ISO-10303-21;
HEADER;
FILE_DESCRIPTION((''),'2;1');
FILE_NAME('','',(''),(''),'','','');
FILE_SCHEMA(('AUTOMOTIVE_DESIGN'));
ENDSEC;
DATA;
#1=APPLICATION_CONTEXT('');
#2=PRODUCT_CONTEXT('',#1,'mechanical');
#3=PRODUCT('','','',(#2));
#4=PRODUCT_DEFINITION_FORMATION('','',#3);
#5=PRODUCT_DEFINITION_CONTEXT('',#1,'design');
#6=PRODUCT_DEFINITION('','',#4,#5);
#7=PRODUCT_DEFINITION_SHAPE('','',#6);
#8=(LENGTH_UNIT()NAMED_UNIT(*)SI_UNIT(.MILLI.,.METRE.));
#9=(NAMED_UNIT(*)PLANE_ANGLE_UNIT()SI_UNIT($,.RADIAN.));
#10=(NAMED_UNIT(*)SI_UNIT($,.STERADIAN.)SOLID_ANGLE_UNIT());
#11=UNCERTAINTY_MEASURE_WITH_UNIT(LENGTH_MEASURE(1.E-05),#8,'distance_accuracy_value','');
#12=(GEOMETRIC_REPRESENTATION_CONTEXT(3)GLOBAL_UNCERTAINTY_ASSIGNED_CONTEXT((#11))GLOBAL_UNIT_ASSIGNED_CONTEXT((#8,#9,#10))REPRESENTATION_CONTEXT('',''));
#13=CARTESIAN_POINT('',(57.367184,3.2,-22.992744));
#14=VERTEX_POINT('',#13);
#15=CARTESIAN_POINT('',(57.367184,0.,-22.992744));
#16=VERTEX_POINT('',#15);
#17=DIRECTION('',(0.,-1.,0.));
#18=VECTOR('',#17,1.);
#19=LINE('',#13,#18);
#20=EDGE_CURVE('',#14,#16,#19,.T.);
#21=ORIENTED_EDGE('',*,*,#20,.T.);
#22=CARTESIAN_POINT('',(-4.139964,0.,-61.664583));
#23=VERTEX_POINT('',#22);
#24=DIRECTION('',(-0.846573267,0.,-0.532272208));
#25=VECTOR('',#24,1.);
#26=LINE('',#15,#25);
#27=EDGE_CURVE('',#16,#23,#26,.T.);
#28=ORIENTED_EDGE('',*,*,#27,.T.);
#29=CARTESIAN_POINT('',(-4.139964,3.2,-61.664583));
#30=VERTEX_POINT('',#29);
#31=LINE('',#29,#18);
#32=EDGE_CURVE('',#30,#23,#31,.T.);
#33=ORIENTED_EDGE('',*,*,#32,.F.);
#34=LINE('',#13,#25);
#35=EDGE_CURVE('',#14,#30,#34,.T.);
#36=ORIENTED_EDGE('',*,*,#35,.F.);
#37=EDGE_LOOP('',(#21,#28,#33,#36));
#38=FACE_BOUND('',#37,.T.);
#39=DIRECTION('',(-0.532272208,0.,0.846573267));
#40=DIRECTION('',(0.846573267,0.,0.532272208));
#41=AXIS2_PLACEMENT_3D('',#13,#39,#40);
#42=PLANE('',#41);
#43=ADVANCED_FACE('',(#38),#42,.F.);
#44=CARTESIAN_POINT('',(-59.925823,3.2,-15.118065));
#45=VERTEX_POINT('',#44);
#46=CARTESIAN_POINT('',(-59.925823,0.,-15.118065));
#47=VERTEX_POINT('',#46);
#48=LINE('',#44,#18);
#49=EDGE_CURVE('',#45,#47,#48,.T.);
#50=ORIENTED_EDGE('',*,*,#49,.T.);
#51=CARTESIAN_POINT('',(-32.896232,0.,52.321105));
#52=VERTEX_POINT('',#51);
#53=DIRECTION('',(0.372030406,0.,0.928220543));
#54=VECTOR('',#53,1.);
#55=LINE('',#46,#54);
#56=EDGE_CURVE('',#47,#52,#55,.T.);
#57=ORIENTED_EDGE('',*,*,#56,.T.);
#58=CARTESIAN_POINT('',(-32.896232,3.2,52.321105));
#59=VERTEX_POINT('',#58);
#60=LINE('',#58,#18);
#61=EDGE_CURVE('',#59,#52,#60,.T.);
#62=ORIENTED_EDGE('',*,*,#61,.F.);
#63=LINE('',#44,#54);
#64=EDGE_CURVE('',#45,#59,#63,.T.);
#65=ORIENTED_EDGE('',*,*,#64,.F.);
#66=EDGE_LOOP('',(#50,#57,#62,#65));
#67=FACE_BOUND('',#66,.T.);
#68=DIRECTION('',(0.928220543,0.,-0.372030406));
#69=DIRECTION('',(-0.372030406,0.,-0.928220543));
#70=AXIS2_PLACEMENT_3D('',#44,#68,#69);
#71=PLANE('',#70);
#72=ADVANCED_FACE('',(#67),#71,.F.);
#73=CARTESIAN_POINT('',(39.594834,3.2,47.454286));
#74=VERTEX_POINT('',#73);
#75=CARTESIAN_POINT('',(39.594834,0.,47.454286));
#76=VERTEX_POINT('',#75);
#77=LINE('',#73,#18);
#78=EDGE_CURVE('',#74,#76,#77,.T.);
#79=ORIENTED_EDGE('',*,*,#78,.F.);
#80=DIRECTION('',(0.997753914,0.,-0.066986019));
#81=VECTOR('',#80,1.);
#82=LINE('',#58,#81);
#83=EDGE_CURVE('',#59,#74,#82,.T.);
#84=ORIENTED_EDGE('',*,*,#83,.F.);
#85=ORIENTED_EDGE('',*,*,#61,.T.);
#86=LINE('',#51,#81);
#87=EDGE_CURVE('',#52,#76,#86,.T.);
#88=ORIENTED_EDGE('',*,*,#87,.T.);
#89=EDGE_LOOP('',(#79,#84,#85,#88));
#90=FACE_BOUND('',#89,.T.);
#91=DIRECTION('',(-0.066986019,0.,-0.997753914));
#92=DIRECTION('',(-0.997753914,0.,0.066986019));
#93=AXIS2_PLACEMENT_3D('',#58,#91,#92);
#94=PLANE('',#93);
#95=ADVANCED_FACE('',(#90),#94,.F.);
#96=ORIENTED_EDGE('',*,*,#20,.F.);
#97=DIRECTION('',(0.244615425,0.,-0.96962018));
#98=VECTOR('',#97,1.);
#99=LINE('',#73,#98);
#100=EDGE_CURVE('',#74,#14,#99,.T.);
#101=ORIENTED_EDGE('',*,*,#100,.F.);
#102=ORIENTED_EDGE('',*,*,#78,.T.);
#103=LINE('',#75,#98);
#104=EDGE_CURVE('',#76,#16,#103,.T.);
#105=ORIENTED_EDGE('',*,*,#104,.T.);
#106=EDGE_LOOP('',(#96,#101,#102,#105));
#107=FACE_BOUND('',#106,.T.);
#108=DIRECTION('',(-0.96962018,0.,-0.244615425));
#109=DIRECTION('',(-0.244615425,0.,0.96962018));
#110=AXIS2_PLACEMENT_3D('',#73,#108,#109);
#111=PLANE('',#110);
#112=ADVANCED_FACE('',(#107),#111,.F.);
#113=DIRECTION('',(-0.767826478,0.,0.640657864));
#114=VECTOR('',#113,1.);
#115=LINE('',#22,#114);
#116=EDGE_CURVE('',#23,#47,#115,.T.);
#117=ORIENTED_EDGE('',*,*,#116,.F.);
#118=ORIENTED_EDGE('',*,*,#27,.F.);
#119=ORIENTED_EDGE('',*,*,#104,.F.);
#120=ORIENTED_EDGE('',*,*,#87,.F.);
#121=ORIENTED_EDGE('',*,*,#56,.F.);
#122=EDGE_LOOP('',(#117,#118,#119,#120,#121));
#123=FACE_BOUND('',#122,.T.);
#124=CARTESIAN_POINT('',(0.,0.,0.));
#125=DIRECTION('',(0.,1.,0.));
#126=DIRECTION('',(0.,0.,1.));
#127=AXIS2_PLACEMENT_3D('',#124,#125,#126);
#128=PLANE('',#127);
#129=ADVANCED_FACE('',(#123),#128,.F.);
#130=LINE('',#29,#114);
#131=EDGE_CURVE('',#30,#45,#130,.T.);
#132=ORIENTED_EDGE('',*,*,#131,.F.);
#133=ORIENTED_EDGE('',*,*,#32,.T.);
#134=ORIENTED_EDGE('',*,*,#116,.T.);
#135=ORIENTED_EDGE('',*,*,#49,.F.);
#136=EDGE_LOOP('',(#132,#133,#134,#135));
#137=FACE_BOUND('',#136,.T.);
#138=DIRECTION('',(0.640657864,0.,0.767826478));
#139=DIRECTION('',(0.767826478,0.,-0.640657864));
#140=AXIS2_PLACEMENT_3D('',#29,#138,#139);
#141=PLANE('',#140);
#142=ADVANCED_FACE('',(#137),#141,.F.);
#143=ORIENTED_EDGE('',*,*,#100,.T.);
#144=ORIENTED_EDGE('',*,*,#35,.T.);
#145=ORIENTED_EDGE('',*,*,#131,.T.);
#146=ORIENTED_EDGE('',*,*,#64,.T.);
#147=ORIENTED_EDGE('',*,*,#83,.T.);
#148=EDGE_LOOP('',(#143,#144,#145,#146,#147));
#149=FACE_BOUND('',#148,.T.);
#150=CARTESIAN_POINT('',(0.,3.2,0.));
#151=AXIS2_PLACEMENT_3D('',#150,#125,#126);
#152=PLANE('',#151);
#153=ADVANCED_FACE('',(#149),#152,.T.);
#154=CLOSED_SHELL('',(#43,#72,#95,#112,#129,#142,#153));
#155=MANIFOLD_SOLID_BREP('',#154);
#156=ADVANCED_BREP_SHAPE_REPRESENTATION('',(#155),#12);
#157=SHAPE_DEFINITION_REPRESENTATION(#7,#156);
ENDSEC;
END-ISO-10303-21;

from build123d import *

# Parameters (mm, degrees)
BOSS_EXTRUDE1_DEPTH = 3.2


with BuildPart() as part:
    # Sketch1 → Boss-Extrude1 (new body)
    with BuildSketch(Plane(origin=(0, 0, 0), x_dir=(1, 0, 0), z_dir=(0, 1, 0))):
        Polygon((-59.925822748, 15.118064705), (-32.896231583, -52.321105303), (39.594833528, -47.454286112), (57.367184482, 22.992743574), (-4.139963679, 61.664583135), align=None)
    extrude(amount=BOSS_EXTRUDE1_DEPTH)


solid = part.part
